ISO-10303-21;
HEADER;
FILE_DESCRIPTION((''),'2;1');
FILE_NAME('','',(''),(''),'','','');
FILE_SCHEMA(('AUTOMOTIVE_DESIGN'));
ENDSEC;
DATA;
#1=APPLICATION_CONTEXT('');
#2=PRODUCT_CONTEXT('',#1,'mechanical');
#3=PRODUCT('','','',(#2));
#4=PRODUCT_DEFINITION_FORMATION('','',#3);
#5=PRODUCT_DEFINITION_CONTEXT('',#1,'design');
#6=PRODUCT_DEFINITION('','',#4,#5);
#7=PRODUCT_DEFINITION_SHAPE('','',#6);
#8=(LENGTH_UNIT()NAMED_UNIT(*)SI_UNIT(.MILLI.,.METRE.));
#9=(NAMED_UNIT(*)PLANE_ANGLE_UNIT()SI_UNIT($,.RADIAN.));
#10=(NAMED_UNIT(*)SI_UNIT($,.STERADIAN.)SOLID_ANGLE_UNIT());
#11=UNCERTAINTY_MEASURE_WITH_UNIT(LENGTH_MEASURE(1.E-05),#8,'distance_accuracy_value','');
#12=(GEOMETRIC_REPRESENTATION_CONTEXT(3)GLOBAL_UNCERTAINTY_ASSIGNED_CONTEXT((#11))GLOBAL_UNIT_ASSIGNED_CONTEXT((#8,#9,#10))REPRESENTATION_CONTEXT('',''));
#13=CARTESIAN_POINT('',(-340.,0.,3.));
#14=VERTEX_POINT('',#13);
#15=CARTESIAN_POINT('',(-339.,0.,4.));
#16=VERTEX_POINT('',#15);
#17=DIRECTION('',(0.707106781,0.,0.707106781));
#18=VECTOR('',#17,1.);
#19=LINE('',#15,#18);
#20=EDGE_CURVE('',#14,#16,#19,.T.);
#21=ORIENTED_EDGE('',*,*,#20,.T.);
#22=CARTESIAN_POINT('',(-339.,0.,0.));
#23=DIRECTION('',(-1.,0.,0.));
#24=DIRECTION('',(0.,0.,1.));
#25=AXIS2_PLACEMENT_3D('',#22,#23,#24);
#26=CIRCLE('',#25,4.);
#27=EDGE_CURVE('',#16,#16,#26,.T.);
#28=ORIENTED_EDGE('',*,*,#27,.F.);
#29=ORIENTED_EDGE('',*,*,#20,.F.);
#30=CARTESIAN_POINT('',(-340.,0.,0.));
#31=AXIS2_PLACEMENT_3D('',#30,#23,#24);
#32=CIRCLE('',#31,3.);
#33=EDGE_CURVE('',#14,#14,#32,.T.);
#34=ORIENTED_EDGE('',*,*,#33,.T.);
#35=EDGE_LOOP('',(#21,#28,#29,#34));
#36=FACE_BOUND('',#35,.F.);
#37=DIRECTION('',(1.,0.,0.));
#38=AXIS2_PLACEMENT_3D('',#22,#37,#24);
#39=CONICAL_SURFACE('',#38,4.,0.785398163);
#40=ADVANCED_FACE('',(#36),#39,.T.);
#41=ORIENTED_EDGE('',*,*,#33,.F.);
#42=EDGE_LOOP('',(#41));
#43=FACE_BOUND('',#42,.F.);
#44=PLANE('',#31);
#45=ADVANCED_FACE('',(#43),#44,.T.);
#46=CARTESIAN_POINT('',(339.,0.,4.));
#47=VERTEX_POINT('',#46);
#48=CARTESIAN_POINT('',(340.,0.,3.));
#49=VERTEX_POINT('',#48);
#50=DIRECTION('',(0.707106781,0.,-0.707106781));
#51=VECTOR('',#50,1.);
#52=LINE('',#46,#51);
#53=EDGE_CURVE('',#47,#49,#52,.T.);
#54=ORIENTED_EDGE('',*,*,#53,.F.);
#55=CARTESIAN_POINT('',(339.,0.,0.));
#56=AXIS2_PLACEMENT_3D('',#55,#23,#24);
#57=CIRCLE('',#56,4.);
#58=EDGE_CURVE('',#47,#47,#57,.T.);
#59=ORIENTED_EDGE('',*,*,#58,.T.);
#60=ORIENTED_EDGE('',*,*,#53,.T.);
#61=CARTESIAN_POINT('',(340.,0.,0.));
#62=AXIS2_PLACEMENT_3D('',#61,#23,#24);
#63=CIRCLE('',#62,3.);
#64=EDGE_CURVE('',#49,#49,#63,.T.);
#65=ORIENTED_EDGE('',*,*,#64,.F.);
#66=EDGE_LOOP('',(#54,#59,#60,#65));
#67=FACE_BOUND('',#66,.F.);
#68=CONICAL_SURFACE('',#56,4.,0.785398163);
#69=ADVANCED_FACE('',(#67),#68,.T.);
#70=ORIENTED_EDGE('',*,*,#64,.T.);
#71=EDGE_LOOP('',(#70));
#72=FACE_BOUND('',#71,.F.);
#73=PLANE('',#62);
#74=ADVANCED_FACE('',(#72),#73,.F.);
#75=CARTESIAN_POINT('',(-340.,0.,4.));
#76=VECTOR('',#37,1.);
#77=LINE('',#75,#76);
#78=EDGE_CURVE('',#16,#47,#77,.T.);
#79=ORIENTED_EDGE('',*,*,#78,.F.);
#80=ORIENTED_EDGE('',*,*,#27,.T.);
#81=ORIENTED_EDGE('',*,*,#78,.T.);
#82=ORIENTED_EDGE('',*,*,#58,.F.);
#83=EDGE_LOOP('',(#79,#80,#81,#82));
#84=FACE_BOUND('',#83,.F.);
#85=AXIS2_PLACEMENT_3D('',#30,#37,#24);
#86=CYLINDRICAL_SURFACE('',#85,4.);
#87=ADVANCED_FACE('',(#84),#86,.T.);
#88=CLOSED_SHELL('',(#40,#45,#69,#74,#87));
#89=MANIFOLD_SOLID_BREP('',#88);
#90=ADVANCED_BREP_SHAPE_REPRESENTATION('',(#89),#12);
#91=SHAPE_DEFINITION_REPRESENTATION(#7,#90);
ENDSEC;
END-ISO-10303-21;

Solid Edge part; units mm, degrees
sketch "Sketch1" plane through (0, 0, 0) normal (0, -1, 0) x (1, 0, 0)
  line L0 (-340, 0) -> (-340, 4)
  line L1 (-340, 4) -> (340, 4)
  line L2 (340, 4) -> (340, 0)
  dimension "D1" = 680
revolve "RevolvedProtrusion1" add sketch "Sketch1" angle 360 about axis through (50, 0, 0) along (-1, 0, 0)
chamfer "Chamfer1" distance 1 angle 45 2 edges at (340, 0, -4) (-340, 0, -4)
cosmetic_thread "Thread1" size "Tr 8 x 2"
properties material "Stainless steel"
